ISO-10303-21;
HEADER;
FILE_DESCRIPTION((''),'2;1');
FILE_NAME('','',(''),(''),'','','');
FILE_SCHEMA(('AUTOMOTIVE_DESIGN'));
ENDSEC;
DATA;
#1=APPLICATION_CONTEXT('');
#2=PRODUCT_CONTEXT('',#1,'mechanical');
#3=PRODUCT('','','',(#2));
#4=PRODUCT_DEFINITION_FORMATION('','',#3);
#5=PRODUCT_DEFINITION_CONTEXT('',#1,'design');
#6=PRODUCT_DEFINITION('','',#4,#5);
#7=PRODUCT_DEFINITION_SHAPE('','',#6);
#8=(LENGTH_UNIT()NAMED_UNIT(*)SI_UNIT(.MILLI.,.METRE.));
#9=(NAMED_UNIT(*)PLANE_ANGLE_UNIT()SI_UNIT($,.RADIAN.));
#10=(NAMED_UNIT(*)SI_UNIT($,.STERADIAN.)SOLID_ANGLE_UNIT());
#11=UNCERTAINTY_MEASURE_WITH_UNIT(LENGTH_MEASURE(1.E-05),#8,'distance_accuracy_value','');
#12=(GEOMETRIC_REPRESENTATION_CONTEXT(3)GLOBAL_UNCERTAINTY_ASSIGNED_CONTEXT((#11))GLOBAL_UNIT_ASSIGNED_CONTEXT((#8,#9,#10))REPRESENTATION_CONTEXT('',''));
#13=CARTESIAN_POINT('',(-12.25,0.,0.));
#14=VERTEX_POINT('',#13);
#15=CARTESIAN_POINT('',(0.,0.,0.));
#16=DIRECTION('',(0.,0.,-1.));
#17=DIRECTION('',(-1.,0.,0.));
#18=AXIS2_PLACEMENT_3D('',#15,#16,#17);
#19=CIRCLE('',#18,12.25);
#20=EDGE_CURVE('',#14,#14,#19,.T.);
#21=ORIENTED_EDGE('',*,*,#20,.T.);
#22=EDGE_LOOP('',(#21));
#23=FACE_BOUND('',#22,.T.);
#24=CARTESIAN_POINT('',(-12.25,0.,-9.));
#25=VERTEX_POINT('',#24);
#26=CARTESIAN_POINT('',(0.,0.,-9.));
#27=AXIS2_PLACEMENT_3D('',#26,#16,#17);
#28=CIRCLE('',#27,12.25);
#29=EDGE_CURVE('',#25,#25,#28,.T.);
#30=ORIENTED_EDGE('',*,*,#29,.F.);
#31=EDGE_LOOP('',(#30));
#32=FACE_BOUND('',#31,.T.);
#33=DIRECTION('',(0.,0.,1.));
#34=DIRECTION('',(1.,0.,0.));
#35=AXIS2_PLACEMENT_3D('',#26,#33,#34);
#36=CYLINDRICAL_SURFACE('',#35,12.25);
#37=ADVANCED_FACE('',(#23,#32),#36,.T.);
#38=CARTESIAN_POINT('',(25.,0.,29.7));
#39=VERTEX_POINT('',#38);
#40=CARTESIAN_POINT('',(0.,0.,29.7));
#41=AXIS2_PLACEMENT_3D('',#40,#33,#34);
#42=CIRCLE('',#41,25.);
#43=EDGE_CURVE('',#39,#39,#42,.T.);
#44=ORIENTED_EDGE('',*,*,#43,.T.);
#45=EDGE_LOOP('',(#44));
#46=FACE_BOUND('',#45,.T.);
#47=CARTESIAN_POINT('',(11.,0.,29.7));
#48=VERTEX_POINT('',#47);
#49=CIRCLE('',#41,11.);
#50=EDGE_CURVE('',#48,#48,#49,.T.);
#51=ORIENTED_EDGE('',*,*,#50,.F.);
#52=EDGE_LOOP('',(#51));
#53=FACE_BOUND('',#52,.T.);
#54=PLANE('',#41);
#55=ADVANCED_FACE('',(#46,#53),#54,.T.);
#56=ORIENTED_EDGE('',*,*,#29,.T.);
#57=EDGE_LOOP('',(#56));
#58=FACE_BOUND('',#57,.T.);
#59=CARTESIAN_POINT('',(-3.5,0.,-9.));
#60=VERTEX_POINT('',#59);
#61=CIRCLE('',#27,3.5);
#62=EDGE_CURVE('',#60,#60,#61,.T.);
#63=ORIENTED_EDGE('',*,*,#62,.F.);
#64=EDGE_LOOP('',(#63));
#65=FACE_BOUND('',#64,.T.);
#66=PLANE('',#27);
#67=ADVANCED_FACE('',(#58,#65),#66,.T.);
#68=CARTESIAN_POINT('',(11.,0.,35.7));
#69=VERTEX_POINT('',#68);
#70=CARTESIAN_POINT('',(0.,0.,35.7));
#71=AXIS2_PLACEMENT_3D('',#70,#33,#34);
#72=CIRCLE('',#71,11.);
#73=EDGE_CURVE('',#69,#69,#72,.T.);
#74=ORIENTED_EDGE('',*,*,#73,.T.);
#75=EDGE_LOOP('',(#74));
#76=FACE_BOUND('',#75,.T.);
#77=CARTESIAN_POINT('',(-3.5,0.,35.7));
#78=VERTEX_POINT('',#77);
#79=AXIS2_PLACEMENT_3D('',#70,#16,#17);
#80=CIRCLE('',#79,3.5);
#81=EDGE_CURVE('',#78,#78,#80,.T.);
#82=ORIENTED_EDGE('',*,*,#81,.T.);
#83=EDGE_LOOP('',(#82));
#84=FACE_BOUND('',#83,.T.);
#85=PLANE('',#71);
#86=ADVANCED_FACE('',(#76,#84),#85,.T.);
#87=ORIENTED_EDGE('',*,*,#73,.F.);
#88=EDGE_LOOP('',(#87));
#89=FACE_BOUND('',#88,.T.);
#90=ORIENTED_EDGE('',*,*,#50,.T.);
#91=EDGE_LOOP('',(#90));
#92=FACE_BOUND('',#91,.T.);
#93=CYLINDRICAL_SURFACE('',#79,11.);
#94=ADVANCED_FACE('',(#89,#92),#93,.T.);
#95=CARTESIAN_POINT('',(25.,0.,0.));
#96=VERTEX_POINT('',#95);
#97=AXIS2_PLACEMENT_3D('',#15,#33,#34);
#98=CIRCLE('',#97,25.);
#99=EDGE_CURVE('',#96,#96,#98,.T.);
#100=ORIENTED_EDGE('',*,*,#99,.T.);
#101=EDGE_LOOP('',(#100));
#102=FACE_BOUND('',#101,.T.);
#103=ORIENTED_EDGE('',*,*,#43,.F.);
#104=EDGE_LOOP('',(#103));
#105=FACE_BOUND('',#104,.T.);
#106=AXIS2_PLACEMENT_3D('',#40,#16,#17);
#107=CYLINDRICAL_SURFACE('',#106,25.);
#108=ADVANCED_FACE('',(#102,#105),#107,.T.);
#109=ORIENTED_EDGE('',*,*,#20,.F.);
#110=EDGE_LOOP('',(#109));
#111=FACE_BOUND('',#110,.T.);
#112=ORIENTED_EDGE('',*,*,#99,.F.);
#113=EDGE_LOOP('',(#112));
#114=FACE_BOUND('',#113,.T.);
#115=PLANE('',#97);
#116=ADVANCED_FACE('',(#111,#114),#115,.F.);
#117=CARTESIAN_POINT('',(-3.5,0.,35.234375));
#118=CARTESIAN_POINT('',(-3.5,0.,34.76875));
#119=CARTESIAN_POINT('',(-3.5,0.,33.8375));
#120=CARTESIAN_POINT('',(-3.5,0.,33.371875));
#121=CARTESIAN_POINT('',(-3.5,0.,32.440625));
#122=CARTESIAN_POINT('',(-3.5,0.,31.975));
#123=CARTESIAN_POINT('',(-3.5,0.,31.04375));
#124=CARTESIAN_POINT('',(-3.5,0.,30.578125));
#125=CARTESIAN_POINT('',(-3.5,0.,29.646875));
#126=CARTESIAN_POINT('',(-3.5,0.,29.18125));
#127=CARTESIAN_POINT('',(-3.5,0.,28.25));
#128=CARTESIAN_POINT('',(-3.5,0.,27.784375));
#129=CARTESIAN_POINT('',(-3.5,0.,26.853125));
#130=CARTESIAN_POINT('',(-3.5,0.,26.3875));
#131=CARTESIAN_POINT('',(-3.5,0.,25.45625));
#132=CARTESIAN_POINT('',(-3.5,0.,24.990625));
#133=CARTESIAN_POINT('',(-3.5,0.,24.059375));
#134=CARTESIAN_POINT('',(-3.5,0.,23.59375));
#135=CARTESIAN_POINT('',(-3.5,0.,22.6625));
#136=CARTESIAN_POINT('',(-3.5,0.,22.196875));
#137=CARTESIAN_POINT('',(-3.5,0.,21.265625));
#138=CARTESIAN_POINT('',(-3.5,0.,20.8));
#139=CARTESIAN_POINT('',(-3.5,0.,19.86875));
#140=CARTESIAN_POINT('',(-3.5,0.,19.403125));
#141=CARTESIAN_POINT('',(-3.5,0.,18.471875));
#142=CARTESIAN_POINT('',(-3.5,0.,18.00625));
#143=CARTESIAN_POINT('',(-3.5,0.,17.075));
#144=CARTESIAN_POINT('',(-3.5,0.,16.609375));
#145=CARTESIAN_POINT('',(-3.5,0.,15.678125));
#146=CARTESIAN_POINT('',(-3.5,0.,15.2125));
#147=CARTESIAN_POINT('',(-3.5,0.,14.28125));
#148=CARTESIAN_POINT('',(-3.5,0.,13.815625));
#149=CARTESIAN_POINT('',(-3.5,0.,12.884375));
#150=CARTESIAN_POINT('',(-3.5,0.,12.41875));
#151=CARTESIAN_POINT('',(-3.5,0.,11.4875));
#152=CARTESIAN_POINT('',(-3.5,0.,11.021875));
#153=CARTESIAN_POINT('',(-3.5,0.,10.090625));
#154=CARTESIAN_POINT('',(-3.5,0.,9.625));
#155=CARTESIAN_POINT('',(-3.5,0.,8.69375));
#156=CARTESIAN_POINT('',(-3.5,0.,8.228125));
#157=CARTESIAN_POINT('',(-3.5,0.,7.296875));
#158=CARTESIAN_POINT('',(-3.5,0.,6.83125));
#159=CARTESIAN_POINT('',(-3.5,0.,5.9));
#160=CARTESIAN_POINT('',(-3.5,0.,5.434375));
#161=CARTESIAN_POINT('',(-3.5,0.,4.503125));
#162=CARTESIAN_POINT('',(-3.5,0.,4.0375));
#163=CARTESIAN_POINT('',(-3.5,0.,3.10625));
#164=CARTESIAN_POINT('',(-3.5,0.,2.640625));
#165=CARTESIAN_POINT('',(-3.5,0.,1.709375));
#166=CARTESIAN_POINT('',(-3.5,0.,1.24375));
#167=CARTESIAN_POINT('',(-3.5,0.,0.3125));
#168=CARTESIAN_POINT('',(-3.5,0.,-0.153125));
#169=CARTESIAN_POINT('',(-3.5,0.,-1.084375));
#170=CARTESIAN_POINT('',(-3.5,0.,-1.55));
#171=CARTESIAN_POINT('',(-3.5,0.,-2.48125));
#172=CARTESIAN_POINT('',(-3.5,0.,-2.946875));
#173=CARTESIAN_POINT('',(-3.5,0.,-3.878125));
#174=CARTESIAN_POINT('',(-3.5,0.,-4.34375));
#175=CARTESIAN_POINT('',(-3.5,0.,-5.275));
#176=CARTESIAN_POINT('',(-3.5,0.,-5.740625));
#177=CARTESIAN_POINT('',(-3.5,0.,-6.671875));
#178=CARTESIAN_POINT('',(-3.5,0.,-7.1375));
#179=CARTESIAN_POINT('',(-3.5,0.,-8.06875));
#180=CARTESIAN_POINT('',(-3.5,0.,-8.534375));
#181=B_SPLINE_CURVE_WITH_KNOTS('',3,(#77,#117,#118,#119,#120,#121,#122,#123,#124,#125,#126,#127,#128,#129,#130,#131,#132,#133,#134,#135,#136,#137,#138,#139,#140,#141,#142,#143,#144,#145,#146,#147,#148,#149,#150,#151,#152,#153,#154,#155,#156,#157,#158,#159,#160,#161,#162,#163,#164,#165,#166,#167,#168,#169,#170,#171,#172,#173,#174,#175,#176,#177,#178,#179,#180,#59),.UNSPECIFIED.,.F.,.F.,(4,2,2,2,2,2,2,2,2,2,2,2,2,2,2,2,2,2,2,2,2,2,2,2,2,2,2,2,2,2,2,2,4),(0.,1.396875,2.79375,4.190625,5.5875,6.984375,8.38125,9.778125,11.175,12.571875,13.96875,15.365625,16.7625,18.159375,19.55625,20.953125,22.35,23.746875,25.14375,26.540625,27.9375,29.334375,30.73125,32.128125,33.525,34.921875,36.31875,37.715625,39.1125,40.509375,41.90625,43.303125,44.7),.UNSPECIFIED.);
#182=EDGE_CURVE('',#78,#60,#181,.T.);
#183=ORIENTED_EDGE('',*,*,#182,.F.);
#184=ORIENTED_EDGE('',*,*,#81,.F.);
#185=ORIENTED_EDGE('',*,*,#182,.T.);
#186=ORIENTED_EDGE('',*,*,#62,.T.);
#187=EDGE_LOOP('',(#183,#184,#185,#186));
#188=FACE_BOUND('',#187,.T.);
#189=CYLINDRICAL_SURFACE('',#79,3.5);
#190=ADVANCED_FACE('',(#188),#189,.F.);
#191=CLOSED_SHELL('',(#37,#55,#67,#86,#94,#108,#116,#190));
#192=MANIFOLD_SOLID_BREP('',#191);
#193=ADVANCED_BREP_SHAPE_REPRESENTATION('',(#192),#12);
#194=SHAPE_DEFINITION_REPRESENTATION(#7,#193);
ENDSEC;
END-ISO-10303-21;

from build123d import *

# Parameters (mm, degrees)
SKETCH1_R           = 25
BOSS_EXTRUDE1_DEPTH = 29.7
SKETCH2_R           = 11
BOSS_EXTRUDE2_DEPTH = 6
SKETCH3_R           = 12.25
BOSS_EXTRUDE3_DEPTH = 9
SKETCH4_R           = 3.5
CUT_EXTRUDE1_DEPTH  = 57.992016985


with BuildPart() as part:
    # Sketch1 → Boss-Extrude1 (new body)
    with BuildSketch(Plane.XY):
        Circle(SKETCH1_R)
    extrude(amount=BOSS_EXTRUDE1_DEPTH)

    # Sketch2 → Boss-Extrude2 (add)
    with BuildSketch(Plane.XY.offset(29.7)):
        Circle(SKETCH2_R)
    extrude(amount=BOSS_EXTRUDE2_DEPTH)

    # Sketch3 → Boss-Extrude3 (add)
    with BuildSketch(Plane(origin=(0, 0, 0), x_dir=(-1, 0, 0), z_dir=(0, 0, -1))):
        Circle(SKETCH3_R)
    extrude(amount=BOSS_EXTRUDE3_DEPTH)

    # Sketch4 → Cut-Extrude1 (cut, through all)
    with BuildSketch(Plane(origin=(0, 0, -9), x_dir=(-1, 0, 0), z_dir=(0, 0, -1))):
        Circle(SKETCH4_R)
    extrude(amount=-CUT_EXTRUDE1_DEPTH, mode=Mode.SUBTRACT)


solid = part.part
